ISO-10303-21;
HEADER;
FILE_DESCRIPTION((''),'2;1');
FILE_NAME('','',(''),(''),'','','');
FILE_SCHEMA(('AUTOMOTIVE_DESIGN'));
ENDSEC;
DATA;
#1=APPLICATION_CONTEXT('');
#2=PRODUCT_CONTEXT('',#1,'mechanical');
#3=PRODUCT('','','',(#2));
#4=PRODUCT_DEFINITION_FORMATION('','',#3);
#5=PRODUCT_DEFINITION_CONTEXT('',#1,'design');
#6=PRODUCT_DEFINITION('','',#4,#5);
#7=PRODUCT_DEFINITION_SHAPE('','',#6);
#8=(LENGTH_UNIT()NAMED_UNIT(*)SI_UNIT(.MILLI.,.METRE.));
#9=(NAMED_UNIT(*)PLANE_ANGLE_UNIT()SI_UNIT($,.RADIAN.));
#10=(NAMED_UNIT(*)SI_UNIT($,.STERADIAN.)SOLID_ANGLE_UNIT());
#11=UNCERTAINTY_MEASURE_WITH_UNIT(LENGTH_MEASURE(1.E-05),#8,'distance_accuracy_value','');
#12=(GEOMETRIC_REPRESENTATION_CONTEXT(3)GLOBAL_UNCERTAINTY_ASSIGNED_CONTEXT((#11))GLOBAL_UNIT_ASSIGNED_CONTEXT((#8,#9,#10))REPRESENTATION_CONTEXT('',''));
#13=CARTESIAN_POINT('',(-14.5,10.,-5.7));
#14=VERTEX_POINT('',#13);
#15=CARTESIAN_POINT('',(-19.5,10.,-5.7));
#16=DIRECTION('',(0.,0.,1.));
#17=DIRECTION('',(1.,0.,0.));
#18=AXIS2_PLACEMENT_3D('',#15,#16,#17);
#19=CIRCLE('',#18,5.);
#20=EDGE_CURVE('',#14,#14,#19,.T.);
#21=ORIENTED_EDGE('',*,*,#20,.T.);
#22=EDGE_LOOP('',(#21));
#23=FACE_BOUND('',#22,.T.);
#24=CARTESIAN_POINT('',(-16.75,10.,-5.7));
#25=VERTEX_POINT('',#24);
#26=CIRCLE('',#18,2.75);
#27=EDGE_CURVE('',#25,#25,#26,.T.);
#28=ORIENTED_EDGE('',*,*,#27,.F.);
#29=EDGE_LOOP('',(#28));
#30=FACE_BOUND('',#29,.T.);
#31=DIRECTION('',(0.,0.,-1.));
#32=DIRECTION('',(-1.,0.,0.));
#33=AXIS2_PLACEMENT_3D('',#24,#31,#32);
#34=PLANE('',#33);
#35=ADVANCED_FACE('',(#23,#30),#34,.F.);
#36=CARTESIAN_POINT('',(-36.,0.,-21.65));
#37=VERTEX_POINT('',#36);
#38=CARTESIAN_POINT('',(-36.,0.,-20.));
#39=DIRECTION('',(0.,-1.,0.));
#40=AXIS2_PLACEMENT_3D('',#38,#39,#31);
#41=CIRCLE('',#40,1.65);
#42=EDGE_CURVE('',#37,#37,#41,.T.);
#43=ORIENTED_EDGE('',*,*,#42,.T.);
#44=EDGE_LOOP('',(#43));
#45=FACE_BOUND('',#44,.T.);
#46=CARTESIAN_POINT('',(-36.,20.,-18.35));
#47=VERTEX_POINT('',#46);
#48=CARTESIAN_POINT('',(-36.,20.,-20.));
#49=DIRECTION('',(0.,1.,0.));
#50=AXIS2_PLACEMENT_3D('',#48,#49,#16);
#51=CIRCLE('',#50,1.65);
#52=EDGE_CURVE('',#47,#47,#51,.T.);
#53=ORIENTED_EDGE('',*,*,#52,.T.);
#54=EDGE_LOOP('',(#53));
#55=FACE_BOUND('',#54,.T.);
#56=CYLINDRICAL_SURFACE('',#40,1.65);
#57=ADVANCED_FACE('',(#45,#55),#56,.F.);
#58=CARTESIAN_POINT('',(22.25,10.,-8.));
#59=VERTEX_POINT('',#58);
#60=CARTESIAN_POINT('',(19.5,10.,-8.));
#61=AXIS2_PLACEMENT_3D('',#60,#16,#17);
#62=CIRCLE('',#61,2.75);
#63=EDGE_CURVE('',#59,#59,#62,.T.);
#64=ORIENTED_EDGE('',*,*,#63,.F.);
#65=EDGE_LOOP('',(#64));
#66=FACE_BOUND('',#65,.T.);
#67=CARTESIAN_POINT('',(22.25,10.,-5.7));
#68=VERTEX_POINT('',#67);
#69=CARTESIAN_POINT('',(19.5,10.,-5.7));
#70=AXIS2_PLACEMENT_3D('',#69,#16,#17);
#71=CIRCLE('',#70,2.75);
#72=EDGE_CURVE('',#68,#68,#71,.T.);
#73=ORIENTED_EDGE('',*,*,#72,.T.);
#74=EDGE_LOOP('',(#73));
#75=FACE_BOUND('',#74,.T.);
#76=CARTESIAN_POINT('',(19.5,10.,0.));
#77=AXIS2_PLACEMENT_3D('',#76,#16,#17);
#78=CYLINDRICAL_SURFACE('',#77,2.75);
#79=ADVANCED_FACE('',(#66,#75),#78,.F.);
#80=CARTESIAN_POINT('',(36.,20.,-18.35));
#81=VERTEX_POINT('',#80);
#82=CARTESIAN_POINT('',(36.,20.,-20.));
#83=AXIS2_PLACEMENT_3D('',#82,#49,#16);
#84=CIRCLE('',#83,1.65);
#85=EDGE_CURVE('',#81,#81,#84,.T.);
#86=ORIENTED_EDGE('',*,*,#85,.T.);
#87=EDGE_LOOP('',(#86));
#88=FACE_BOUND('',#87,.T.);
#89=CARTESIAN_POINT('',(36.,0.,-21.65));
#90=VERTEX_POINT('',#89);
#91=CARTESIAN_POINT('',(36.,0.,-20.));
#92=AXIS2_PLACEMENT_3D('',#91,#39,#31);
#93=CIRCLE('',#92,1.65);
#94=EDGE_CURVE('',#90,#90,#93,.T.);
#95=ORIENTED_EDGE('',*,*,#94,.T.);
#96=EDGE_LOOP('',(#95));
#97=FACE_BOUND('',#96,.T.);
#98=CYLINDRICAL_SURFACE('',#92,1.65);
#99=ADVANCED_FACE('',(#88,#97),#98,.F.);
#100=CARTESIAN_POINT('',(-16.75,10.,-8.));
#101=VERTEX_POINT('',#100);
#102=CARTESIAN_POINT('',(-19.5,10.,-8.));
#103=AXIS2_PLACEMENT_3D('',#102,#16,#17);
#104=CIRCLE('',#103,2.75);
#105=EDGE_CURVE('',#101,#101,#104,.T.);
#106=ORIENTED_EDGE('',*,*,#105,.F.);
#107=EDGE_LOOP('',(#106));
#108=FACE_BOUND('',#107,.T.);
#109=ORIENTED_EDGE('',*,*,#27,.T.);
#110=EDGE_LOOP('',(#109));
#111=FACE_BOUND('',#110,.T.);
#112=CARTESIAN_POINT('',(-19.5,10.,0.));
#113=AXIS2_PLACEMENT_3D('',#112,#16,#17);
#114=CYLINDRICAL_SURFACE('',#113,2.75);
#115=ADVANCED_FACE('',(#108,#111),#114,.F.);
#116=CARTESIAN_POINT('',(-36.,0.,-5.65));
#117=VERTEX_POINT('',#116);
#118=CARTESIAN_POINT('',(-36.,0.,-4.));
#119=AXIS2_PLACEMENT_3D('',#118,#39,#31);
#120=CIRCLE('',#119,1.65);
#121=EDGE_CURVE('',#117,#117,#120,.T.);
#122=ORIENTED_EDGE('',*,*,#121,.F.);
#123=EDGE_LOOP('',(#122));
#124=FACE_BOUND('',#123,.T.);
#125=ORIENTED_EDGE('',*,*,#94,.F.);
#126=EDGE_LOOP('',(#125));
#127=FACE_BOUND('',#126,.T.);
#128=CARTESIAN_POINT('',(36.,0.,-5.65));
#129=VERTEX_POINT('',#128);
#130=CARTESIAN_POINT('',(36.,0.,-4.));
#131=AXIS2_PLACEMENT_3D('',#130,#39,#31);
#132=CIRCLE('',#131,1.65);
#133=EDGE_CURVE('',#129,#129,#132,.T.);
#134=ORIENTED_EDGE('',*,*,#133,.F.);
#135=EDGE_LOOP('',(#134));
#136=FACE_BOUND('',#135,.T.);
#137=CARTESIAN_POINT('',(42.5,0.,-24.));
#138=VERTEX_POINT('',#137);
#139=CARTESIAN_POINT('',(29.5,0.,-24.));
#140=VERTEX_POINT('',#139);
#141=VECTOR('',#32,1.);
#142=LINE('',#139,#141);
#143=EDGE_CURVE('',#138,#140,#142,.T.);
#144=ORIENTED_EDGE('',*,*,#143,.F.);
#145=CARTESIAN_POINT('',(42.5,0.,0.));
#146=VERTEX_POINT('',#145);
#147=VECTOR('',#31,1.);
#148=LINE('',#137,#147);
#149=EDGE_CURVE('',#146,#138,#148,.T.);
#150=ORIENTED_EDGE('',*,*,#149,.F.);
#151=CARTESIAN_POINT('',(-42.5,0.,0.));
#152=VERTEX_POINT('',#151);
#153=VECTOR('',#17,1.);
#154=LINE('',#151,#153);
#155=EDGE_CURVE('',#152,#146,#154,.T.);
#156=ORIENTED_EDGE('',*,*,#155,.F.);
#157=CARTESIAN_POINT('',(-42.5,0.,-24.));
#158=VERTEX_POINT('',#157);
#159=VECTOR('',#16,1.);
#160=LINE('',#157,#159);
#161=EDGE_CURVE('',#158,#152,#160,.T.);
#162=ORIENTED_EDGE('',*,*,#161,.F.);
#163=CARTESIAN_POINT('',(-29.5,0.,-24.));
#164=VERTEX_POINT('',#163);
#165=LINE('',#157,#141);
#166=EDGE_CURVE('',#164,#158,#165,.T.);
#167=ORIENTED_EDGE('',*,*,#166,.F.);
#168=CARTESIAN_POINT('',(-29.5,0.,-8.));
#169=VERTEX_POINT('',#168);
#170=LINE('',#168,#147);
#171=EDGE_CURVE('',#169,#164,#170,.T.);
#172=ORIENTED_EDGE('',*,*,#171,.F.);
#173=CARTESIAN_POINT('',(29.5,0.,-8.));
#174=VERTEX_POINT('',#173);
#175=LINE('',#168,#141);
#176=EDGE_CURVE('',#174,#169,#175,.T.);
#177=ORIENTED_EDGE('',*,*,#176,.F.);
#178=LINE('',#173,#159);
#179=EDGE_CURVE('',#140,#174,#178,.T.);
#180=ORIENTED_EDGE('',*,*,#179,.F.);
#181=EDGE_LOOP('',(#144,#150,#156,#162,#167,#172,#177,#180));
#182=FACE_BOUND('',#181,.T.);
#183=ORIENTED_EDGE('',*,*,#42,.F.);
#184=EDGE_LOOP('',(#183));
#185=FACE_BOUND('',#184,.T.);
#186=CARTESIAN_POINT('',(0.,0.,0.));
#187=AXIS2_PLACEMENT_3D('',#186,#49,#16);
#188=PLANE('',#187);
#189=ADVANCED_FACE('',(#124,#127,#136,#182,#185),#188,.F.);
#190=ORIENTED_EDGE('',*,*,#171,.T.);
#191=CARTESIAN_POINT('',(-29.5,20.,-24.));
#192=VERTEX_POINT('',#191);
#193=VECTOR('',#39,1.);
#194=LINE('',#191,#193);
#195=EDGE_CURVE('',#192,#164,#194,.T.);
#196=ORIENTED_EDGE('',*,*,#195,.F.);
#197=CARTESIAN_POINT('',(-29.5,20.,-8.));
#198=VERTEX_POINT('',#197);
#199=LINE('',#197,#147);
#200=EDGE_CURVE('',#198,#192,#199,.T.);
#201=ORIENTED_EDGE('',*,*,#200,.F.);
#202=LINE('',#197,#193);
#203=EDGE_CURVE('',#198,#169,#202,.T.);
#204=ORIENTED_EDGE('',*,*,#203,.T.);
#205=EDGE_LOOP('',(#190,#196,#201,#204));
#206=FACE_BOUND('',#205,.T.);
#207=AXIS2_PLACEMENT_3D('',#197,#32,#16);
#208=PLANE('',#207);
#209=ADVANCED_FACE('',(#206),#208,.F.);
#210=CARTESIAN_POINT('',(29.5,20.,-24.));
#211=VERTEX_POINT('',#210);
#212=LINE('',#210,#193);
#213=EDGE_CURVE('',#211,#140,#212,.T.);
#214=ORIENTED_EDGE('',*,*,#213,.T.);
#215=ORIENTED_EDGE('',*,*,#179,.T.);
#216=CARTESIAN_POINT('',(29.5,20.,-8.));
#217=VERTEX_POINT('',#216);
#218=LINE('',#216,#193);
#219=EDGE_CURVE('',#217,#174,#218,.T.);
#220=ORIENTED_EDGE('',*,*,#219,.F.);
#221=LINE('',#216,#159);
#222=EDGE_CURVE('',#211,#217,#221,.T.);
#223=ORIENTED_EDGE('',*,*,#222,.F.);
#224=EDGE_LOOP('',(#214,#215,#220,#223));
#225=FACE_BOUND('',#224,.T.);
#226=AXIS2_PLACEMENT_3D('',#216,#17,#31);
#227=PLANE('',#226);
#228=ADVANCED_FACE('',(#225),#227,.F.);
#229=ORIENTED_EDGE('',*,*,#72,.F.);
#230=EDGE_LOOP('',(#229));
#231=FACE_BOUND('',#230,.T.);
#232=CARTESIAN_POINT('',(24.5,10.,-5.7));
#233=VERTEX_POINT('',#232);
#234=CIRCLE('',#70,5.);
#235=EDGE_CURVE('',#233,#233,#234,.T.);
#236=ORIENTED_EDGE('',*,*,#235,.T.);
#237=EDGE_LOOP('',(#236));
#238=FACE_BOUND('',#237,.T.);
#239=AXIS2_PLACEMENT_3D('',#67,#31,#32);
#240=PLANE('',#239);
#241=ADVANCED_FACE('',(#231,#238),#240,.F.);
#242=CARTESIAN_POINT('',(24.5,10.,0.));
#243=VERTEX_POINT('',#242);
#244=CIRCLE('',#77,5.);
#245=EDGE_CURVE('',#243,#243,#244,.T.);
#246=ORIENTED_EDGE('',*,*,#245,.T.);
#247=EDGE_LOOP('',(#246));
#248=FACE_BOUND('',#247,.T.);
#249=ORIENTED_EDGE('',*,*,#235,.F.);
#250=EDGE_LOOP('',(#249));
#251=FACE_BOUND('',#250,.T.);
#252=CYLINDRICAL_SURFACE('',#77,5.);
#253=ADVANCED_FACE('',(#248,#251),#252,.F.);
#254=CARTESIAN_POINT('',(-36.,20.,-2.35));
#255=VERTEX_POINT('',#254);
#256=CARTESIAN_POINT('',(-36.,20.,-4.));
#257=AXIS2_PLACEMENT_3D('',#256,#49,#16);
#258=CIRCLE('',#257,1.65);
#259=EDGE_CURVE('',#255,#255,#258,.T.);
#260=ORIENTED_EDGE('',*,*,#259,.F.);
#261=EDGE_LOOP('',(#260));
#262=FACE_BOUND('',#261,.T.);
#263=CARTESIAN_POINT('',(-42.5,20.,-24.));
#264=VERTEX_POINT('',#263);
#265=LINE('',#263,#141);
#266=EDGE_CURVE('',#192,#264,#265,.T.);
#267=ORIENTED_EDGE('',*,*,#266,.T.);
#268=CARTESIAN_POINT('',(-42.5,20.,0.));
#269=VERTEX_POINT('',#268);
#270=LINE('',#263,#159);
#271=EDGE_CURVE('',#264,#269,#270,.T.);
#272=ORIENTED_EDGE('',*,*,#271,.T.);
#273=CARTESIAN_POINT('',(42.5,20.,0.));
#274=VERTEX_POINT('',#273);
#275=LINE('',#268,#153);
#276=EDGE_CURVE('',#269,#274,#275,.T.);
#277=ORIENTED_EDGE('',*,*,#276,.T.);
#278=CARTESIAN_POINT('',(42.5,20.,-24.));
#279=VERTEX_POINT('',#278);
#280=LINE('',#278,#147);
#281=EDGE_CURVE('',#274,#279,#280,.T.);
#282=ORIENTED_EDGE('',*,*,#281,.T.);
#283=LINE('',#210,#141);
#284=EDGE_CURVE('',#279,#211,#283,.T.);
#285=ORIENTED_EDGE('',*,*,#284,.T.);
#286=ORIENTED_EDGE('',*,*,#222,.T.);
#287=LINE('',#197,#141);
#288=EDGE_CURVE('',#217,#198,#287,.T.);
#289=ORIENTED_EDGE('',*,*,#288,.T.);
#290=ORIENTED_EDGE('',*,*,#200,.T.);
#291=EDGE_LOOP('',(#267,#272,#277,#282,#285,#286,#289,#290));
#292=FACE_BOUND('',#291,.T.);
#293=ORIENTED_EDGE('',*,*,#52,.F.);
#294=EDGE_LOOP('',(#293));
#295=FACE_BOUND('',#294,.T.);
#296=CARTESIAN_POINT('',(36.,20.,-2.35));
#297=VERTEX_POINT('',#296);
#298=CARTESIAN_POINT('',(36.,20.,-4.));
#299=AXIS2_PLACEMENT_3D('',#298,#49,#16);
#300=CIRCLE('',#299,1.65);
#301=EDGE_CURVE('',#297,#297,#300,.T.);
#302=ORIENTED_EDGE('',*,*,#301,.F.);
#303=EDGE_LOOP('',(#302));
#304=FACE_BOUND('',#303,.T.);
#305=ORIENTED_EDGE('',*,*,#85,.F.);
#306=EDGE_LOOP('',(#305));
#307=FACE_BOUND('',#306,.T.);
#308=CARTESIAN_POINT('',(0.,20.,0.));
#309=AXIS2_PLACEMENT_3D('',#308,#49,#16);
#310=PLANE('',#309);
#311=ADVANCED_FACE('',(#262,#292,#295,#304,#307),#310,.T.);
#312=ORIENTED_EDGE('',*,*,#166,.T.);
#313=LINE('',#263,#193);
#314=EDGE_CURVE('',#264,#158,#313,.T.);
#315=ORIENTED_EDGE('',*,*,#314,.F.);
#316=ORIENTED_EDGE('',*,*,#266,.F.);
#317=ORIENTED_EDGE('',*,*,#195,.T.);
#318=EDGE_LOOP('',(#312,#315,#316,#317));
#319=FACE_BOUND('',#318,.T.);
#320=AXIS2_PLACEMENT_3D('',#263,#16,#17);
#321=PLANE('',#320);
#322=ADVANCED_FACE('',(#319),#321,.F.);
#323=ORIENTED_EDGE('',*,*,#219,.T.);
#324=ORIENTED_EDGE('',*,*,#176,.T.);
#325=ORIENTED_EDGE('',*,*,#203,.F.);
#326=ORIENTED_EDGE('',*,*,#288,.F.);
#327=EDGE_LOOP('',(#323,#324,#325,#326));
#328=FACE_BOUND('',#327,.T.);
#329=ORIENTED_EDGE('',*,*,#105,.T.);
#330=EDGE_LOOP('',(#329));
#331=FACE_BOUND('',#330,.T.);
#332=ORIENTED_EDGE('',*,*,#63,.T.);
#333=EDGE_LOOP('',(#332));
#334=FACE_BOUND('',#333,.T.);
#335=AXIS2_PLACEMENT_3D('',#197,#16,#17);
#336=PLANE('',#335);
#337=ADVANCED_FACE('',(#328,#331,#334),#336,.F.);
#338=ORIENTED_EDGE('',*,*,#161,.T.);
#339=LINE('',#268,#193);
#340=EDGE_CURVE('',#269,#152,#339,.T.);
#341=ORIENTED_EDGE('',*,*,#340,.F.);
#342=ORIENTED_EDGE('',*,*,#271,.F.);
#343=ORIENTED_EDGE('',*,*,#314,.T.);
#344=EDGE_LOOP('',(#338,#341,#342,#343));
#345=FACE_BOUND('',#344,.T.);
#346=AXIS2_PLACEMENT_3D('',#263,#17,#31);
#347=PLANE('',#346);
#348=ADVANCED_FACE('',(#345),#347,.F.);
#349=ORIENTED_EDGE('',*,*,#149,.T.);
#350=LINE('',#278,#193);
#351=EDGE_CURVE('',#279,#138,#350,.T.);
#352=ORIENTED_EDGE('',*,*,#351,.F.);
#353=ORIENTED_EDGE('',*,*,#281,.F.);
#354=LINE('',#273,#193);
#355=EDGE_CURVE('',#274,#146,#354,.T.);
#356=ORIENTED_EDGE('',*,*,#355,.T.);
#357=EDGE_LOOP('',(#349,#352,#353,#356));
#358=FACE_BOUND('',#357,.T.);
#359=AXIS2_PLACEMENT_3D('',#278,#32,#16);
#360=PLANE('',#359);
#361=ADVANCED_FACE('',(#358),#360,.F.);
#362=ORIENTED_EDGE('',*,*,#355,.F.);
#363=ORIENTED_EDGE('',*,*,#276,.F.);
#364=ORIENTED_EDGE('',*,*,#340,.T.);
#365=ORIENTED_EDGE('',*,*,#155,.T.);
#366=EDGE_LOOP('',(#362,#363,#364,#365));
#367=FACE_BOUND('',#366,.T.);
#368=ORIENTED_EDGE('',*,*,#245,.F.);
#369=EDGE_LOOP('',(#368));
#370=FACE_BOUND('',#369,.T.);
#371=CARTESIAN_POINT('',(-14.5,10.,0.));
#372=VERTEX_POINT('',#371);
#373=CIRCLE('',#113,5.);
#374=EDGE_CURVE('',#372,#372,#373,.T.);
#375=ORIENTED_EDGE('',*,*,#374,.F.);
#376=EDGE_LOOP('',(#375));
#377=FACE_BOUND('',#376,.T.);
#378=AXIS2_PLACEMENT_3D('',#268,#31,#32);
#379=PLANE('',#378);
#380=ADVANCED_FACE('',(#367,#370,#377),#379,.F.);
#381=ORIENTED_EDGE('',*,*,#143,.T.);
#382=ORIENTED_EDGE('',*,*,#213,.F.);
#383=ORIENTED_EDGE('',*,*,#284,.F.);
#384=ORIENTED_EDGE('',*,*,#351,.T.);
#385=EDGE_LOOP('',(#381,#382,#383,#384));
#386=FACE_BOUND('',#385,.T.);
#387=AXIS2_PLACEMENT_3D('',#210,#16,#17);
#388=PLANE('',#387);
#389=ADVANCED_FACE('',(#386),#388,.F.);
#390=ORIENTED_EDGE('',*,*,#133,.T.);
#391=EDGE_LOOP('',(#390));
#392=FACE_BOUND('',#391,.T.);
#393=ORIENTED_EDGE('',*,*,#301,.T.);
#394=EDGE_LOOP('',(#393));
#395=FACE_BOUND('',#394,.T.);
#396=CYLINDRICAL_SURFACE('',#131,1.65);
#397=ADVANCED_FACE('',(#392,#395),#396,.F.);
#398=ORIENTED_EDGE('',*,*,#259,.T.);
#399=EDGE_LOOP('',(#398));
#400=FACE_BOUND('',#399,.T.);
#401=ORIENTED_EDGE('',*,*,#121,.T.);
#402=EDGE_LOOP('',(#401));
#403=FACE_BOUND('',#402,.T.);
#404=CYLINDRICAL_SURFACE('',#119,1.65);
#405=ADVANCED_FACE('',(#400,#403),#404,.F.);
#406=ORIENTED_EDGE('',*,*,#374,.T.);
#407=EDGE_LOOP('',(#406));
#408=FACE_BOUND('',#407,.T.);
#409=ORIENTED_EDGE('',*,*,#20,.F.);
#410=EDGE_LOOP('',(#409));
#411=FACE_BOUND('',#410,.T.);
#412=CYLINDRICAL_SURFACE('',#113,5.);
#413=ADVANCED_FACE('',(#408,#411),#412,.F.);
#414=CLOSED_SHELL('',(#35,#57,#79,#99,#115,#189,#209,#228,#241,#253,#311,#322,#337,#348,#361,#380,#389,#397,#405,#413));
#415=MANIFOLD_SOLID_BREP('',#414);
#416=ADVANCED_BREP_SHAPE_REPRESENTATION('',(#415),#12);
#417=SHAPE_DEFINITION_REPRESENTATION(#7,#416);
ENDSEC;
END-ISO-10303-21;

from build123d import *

# Parameters (mm, degrees)
EXTRUDE_1_DEPTH           = 20
HOLE_WIZARD_0_D           = 5.5
HOLE_WIZARD_0_CBORE_D     = 10
HOLE_WIZARD_0_CBORE_DEPTH = 5.7
HOLE_WIZARD_M4_1_D        = 3.3


with BuildPart() as part:
    # 草图1 → 凸台-拉伸1 (new body)
    with BuildSketch(Plane(origin=(0, 0, 0), x_dir=(1, 0, 0), z_dir=(0, 1, 0))):
        Polygon((-42.5, 24), (-29.5, 24), (-29.5, 8), (29.5, 8), (29.5, 24), (42.5, 24), (42.5, 0), (-42.5, 0), align=None)
    extrude(amount=EXTRUDE_1_DEPTH)

    # 打孔尺寸(%根据)内六角圆柱头螺钉的类型0 (through all)
    with Locations(Plane.XY):
        with Locations((19.5, 10), (-19.5, 10)):
            CounterBoreHole(HOLE_WIZARD_0_D / 2, HOLE_WIZARD_0_CBORE_D / 2, HOLE_WIZARD_0_CBORE_DEPTH)

    # M4 螺纹孔1 (through all)
    with Locations(Plane(origin=(0, 0, 0), x_dir=(-1, 0, 0), z_dir=(0, -1, 0))):
        with Locations((36, 4), (-36, 4), (36, 20), (-36, 20)):
            Hole(HOLE_WIZARD_M4_1_D / 2)


solid = part.part
